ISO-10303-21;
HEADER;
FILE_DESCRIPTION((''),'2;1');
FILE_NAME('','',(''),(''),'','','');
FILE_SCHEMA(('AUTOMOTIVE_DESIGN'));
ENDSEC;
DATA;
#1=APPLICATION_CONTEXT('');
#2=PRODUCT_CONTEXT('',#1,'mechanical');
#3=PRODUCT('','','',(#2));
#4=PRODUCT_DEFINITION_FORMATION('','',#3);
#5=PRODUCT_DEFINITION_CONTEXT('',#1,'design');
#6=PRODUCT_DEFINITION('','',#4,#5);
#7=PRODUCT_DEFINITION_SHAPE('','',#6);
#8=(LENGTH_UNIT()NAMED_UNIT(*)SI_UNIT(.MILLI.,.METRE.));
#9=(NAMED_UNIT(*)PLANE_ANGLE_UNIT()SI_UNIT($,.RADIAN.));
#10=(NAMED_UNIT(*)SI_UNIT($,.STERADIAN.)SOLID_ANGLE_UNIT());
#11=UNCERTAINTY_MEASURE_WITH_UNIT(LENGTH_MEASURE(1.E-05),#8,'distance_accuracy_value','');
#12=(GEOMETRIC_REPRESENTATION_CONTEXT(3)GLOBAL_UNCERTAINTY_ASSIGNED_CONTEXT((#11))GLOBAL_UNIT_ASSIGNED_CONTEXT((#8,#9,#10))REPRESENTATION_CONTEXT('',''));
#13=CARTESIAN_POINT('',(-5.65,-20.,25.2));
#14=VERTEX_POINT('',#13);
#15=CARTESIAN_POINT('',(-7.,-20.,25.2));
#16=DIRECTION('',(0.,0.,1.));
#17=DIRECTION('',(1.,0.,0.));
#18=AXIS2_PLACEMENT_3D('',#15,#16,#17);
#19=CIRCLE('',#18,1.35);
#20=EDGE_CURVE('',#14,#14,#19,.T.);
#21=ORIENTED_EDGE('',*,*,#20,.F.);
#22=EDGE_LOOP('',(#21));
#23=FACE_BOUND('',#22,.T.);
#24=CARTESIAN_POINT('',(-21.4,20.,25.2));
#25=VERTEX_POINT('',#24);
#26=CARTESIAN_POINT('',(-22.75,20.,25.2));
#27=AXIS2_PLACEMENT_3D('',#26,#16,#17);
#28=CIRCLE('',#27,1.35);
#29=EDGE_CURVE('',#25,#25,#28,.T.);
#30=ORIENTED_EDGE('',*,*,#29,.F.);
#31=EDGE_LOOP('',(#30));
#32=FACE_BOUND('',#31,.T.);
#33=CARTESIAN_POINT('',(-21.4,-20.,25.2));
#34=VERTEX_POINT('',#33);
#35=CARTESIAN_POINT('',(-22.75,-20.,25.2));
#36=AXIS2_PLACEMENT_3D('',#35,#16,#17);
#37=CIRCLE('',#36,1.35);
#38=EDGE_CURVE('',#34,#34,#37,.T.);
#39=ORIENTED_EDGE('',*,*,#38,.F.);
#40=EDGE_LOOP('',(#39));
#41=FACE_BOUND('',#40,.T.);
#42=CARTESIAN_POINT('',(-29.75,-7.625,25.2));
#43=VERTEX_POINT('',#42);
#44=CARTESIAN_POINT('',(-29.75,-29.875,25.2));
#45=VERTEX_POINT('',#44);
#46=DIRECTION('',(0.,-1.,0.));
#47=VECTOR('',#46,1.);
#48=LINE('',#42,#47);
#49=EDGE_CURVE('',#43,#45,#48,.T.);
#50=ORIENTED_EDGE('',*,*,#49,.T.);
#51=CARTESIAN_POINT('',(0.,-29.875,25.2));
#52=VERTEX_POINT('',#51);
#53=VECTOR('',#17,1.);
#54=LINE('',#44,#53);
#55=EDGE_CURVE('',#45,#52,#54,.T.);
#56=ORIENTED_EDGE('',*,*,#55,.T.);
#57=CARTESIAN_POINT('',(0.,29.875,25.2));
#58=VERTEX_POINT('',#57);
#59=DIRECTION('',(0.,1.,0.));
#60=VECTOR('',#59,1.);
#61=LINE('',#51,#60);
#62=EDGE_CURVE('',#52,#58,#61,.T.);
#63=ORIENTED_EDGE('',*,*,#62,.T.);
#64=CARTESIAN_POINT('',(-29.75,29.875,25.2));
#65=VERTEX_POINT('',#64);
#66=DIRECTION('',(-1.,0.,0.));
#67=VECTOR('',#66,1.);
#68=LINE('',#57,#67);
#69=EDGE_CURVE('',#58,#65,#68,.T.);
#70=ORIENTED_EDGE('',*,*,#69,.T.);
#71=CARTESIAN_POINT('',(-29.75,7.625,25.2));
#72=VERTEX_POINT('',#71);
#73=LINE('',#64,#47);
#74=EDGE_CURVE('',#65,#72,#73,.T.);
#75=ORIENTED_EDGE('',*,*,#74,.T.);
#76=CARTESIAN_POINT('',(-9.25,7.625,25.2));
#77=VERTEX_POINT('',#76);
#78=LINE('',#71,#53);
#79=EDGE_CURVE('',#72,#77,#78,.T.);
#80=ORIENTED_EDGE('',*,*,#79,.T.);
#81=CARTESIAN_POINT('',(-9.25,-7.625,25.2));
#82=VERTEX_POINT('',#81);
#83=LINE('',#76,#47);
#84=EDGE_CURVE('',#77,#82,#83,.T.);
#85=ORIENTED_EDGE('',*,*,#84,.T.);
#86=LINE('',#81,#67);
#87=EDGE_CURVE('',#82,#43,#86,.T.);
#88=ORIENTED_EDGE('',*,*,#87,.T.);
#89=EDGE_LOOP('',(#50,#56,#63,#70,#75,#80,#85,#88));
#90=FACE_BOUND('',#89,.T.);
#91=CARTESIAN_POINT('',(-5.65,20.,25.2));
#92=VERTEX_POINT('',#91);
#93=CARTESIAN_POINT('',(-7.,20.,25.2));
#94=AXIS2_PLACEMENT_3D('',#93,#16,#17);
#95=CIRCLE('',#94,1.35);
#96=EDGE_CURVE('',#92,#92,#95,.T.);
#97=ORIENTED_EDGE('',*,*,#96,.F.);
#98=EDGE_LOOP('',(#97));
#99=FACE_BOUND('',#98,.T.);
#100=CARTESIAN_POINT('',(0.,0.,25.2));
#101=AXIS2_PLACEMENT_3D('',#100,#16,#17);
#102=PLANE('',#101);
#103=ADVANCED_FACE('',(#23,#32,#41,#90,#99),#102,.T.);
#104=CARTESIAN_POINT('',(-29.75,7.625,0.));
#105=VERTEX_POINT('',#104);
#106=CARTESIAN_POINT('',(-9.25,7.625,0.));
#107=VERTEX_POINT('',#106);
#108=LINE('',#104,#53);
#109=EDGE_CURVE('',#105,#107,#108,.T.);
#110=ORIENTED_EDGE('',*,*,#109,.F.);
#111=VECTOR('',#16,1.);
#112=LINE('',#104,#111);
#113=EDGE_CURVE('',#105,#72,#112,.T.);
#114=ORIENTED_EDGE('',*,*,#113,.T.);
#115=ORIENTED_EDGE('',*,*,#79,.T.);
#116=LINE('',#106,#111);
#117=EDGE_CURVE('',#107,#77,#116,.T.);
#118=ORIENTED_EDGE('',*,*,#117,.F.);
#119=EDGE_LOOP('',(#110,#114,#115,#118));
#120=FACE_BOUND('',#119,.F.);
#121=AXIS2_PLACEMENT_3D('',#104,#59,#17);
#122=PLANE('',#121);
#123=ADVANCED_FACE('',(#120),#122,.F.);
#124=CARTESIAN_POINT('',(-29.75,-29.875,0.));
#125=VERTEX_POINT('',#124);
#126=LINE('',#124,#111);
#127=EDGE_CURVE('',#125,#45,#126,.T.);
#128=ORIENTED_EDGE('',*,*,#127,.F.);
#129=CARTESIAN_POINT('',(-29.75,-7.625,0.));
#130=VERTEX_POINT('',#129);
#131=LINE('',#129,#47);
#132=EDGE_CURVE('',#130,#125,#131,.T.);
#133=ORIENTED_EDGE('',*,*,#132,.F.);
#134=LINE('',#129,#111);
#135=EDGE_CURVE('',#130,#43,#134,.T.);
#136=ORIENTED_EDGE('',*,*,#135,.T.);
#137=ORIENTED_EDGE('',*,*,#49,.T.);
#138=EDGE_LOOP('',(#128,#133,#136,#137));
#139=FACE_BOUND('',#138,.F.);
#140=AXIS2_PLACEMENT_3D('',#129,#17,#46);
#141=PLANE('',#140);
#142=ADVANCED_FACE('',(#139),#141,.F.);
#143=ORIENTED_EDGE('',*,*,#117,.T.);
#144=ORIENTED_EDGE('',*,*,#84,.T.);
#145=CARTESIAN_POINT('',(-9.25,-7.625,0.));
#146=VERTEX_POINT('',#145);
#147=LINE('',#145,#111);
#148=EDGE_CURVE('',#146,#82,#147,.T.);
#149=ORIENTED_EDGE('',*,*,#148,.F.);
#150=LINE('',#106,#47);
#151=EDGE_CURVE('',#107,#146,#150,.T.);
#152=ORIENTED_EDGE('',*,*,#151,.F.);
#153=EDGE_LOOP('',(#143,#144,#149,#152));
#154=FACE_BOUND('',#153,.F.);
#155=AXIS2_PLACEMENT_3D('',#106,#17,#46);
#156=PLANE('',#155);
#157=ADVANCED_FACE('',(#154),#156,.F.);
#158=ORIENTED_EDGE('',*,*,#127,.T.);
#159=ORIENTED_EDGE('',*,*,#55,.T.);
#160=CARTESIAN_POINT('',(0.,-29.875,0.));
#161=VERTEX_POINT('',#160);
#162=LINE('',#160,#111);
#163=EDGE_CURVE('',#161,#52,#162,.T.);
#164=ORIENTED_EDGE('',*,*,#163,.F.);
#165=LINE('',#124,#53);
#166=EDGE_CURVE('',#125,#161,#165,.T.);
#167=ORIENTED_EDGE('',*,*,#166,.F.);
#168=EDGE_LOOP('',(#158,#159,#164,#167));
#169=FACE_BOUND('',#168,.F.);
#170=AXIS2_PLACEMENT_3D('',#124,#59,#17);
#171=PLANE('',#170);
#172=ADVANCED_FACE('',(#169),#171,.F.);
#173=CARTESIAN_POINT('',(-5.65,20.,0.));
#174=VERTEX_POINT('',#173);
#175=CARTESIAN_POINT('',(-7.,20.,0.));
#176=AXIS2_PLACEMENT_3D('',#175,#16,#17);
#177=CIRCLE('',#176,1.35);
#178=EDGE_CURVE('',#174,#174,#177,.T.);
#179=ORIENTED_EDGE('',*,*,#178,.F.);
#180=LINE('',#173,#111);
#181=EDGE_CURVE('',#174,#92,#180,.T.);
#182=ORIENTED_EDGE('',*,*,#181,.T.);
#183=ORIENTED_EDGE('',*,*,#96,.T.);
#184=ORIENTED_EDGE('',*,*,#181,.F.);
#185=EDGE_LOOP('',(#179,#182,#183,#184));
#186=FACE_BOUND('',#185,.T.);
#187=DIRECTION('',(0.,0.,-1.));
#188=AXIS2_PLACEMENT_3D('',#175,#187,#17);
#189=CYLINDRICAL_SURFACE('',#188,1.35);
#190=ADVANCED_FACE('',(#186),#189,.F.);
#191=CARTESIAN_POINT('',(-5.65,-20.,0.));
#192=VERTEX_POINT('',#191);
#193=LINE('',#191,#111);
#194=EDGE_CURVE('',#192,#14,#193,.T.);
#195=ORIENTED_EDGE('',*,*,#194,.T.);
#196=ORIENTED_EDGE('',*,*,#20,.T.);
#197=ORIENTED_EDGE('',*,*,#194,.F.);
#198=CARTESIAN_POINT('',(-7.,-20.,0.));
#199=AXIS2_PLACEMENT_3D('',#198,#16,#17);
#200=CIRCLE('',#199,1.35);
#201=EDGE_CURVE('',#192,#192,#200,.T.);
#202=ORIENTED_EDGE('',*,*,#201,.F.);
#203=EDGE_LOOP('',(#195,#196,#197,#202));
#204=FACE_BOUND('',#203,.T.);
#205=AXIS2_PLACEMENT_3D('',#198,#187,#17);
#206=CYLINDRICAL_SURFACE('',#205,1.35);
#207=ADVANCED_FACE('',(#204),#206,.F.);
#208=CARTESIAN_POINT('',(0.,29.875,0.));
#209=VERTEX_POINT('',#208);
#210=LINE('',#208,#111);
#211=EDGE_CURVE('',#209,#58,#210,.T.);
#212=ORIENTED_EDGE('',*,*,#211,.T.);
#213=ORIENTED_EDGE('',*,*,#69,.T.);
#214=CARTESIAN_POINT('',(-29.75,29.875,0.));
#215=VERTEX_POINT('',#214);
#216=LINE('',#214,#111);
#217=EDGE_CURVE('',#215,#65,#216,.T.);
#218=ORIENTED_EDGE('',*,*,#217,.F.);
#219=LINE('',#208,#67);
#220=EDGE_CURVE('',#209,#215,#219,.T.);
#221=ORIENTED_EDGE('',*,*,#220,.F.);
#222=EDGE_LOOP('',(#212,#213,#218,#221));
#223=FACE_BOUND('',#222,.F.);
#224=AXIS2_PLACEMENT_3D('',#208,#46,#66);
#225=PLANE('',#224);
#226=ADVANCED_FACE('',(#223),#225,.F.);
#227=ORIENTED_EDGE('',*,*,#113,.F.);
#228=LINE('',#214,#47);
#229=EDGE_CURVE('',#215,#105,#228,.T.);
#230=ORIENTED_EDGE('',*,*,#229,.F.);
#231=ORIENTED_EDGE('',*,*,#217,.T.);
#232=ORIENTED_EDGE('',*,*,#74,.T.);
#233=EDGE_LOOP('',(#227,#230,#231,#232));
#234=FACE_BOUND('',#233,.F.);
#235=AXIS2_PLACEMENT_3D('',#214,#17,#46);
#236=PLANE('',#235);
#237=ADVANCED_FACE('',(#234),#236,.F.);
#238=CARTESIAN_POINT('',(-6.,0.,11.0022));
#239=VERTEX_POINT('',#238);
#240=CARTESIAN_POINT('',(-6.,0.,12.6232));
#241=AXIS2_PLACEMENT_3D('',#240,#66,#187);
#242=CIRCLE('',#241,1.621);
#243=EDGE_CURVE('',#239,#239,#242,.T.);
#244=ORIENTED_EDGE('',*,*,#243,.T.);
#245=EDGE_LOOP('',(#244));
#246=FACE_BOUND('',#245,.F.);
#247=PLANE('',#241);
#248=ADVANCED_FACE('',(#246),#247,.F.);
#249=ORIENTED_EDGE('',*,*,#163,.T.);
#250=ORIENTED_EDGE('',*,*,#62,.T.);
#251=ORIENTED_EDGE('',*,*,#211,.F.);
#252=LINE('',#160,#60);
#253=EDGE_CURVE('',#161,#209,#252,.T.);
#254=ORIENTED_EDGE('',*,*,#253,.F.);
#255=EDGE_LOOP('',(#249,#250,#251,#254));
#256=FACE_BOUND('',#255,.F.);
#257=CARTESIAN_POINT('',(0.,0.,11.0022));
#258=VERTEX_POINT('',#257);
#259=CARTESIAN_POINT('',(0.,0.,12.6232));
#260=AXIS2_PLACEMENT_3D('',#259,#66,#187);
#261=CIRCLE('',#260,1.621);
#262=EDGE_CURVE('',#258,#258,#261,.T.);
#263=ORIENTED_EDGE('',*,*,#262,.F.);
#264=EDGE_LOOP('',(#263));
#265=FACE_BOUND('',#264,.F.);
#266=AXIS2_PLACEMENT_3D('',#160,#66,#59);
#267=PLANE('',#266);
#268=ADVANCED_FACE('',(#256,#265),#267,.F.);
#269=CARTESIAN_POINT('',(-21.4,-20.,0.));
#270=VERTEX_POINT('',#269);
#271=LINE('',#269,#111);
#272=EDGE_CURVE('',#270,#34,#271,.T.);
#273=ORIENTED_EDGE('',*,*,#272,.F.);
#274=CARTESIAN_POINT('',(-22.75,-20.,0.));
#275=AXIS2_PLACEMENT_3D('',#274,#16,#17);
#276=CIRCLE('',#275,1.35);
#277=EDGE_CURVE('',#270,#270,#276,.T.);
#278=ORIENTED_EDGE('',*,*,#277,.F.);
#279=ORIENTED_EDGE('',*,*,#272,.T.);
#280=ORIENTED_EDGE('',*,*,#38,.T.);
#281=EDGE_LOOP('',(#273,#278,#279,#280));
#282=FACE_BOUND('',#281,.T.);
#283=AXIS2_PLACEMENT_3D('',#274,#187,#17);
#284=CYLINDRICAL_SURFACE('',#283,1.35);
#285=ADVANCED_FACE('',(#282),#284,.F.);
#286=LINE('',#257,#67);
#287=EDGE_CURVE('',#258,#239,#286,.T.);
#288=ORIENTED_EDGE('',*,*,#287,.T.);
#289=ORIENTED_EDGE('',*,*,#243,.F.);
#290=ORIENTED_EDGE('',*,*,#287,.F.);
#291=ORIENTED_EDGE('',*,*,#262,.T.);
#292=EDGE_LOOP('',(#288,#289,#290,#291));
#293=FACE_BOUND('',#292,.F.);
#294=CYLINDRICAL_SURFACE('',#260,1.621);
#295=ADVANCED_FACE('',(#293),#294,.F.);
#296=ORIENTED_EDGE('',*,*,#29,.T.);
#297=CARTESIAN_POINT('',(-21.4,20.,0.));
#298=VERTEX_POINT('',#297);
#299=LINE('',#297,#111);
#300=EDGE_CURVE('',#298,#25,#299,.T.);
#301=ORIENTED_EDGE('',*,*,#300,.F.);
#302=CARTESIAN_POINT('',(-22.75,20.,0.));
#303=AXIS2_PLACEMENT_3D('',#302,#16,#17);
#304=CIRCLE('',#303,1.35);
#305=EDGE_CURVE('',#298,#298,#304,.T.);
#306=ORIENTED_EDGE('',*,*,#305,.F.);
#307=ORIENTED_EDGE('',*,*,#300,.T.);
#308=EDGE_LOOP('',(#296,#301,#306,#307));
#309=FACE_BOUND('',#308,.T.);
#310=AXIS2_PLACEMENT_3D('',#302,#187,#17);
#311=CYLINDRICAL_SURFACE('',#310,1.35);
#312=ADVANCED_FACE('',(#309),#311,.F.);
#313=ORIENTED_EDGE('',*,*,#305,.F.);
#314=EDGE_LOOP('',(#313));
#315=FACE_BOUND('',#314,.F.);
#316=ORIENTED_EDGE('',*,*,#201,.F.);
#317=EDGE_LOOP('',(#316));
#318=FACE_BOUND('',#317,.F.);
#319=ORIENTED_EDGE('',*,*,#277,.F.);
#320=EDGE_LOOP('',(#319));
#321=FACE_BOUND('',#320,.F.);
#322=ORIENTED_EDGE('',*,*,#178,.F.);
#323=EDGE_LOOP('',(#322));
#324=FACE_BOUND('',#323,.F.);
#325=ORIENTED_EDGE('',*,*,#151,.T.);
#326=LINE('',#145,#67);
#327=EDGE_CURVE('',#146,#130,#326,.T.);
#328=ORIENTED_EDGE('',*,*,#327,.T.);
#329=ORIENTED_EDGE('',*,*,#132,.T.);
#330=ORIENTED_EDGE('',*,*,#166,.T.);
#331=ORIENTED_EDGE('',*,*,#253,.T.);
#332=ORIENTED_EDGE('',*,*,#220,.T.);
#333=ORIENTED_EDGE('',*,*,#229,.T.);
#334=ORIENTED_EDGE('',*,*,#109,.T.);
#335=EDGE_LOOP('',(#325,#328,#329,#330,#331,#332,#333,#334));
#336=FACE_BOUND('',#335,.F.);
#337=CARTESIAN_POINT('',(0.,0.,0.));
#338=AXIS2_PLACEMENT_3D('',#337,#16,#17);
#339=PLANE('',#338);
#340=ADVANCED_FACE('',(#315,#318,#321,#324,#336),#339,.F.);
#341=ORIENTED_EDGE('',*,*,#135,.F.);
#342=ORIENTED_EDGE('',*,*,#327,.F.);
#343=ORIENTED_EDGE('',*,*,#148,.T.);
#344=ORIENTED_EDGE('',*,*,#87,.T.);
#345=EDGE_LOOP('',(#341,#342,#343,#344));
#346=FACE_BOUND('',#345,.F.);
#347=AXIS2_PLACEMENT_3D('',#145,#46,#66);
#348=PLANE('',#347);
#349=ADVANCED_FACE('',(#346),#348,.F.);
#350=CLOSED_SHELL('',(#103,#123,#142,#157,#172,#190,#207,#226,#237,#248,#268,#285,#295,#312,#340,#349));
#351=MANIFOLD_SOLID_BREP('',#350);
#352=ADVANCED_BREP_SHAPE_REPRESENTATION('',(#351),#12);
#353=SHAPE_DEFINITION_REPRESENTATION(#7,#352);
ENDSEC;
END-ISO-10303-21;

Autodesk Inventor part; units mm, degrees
ref_plane "YZ Plane" through (0, 0, 0) normal (1, 0, 0) x (0, 1, 0)
ref_plane "XZ Plane" through (0, 0, 0) normal (0, 1, 0) x (-1, 0, 0)
ref_plane "XY Plane" through (0, 0, 0) normal (0, 0, 1) x (1, 0, 0)
ref_plane "Work Plane1" through (0, 0, 0) normal (0, 0, 1) x (1, 0, 0)
sketch "Sketch1" plane through (0, 0, 0) normal (0, 0, 1) x (1, 0, 0)
  line L0 (-9.25, 7.625) -> (-9.25, -7.625) projected
  line L1 (-9.25, -7.625) -> (-29.75, -7.625) projected
  line L2 (-29.75, -7.625) -> (-29.75, -29.875) projected
  line L3 (-29.75, -29.875) -> (0, -29.875) projected
  line L4 (0, -29.875) -> (0, 29.875) projected
  line L5 (0, 29.875) -> (-29.75, 29.875) projected
  line L6 (-29.75, 29.875) -> (-29.75, 7.625) projected
  line L7 (-29.75, 7.625) -> (-9.25, 7.625) projected
  circle A0 centre (-15, 14.875) radius 3.5 projected
  circle A1 centre (-15, -14.875) radius 3.5 projected
  circle A2 centre (-7, 20) radius 1.35 projected
  circle A3 centre (-6, 0) radius 1.35 projected
  circle A4 centre (-7, -20) radius 1.35 projected
  circle A5 centre (-22.75, -20) radius 1.35 projected
  circle A6 centre (-22.75, 20) radius 1.35 projected
  line L8 (-29.75, -29.875) -> (0, -29.875)
  line L9 (0, 29.875) -> (-29.75, 29.875)
  point P0 (0, 0)
extrude "Extrusion1" add sketch "Sketch1" along normal blind 25.2 contours L7 L6 L5 L4 L3 L2 L1 L0 | A0 | A1 | A3
sketch "Sketch3" plane through (0, -29.875, 0) normal (1, 0, 0) x (0, 0, -1)
  circle A0 centre (-12.6232, 29.875) radius 1.621 projected
  point P0 (0, 29.875)
hole "Hole2" at (0, 0, 12.6232) direction (-1, 0, 0) diameter 3.242 depth 6 thread size "M4x0.7" class "6H" standard "ISO Metric profile"
properties part number "holder1"
